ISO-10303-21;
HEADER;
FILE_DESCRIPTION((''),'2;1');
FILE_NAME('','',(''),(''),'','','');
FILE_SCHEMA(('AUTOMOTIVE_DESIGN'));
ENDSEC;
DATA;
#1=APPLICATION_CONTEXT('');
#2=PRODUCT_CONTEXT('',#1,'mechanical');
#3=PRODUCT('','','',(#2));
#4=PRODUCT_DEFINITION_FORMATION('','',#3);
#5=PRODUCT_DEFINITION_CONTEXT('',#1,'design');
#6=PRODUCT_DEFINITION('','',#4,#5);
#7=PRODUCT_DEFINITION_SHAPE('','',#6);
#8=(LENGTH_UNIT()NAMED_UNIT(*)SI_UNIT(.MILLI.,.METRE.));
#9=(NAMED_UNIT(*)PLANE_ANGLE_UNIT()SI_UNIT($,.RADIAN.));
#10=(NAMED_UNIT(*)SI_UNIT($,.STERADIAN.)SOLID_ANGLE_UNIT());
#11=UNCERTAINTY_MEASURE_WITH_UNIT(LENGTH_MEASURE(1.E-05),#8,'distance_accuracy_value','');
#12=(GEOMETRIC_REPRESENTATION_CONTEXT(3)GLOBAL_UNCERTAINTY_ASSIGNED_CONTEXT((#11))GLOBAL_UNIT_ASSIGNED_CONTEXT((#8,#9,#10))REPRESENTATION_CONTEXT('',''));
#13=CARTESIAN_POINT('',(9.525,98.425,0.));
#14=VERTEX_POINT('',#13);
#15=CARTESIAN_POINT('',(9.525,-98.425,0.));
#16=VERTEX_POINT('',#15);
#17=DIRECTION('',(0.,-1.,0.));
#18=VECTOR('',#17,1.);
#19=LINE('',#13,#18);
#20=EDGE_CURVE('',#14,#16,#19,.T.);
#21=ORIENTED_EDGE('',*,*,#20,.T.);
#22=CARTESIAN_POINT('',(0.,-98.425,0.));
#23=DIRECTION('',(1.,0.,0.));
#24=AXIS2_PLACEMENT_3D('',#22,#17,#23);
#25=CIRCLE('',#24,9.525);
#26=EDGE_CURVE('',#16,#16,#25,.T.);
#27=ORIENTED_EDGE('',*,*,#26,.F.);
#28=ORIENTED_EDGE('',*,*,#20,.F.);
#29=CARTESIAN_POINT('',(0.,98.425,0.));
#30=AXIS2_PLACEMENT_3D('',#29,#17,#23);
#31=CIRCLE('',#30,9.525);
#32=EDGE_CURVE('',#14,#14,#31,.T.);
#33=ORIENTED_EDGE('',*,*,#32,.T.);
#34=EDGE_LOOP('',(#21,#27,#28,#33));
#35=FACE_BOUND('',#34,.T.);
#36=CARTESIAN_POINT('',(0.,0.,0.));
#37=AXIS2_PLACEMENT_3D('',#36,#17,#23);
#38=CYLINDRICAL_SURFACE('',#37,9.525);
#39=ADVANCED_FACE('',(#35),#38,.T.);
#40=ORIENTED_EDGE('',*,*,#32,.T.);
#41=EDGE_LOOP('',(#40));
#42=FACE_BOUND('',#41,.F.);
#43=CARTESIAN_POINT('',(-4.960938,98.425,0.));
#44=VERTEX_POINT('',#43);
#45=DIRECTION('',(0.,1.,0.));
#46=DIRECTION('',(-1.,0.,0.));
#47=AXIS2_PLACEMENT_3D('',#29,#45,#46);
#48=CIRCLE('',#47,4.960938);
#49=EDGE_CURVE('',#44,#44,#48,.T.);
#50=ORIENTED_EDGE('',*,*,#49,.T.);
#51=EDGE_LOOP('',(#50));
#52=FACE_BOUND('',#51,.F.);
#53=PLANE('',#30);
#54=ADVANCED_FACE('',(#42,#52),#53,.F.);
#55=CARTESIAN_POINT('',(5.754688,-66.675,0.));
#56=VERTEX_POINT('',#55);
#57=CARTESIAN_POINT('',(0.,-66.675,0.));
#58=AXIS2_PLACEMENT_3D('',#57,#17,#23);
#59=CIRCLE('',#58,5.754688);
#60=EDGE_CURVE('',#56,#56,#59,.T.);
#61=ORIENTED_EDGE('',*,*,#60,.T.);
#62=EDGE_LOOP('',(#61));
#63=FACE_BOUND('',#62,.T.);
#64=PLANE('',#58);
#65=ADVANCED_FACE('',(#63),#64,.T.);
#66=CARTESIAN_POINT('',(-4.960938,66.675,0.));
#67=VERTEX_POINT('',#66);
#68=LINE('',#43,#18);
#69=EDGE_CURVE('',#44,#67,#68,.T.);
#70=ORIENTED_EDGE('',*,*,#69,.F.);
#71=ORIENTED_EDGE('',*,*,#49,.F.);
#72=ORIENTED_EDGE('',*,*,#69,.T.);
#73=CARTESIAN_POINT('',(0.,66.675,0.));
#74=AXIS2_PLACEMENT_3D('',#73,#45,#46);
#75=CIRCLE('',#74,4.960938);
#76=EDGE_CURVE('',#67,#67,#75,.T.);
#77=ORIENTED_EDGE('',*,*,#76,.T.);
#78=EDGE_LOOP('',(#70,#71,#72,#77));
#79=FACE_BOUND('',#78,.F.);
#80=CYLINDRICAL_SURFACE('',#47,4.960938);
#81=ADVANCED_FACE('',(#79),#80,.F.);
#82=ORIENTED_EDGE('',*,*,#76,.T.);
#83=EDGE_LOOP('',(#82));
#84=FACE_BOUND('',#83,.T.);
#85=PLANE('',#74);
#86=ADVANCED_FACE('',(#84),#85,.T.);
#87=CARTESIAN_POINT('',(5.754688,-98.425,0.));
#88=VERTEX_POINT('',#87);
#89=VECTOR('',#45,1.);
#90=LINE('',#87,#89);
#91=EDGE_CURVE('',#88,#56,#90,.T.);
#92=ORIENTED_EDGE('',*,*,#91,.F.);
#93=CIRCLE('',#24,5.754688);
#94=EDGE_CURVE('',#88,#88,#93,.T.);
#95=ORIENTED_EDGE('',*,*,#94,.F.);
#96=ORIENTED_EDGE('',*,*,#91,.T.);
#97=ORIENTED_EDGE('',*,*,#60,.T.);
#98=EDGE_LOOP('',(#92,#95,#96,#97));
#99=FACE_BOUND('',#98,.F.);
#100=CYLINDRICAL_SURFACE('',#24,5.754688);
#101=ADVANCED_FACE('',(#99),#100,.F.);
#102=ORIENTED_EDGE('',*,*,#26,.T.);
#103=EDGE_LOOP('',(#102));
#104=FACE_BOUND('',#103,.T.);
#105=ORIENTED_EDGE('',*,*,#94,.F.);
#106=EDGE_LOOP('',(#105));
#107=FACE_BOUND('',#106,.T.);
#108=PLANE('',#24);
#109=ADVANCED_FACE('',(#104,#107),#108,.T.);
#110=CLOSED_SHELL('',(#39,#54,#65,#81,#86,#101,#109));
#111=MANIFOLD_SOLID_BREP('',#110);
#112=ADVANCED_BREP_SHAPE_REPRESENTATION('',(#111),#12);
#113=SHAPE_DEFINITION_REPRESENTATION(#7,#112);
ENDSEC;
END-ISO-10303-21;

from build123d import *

# Parameters (mm, degrees)
F0_R     = 9.525
F1_DEPTH = 98.425
F2_R     = 5.754688
F3_DEPTH = 31.75
F4_R     = 4.960938
F5_DEPTH = 31.75


with BuildPart() as f1:
    # F0 (on Front) → F1 (new body, symmetric)
    with BuildSketch(Plane.XZ):
        Circle(F0_R)
    extrude(amount=F1_DEPTH, both=True)

    # F2 (on face) → F3 (cut)
    with BuildSketch(Plane.XZ.offset(98.425)):
        Circle(F2_R)
    extrude(amount=-F3_DEPTH, mode=Mode.SUBTRACT)

    # F4 (on face) → F5 (cut)
    with BuildSketch(Plane(origin=(0, 98.425, 0), x_dir=(-1, 0, 0), z_dir=(0, 1, 0))):
        Circle(F4_R)
    extrude(amount=-F5_DEPTH, mode=Mode.SUBTRACT)


solid = f1.part
